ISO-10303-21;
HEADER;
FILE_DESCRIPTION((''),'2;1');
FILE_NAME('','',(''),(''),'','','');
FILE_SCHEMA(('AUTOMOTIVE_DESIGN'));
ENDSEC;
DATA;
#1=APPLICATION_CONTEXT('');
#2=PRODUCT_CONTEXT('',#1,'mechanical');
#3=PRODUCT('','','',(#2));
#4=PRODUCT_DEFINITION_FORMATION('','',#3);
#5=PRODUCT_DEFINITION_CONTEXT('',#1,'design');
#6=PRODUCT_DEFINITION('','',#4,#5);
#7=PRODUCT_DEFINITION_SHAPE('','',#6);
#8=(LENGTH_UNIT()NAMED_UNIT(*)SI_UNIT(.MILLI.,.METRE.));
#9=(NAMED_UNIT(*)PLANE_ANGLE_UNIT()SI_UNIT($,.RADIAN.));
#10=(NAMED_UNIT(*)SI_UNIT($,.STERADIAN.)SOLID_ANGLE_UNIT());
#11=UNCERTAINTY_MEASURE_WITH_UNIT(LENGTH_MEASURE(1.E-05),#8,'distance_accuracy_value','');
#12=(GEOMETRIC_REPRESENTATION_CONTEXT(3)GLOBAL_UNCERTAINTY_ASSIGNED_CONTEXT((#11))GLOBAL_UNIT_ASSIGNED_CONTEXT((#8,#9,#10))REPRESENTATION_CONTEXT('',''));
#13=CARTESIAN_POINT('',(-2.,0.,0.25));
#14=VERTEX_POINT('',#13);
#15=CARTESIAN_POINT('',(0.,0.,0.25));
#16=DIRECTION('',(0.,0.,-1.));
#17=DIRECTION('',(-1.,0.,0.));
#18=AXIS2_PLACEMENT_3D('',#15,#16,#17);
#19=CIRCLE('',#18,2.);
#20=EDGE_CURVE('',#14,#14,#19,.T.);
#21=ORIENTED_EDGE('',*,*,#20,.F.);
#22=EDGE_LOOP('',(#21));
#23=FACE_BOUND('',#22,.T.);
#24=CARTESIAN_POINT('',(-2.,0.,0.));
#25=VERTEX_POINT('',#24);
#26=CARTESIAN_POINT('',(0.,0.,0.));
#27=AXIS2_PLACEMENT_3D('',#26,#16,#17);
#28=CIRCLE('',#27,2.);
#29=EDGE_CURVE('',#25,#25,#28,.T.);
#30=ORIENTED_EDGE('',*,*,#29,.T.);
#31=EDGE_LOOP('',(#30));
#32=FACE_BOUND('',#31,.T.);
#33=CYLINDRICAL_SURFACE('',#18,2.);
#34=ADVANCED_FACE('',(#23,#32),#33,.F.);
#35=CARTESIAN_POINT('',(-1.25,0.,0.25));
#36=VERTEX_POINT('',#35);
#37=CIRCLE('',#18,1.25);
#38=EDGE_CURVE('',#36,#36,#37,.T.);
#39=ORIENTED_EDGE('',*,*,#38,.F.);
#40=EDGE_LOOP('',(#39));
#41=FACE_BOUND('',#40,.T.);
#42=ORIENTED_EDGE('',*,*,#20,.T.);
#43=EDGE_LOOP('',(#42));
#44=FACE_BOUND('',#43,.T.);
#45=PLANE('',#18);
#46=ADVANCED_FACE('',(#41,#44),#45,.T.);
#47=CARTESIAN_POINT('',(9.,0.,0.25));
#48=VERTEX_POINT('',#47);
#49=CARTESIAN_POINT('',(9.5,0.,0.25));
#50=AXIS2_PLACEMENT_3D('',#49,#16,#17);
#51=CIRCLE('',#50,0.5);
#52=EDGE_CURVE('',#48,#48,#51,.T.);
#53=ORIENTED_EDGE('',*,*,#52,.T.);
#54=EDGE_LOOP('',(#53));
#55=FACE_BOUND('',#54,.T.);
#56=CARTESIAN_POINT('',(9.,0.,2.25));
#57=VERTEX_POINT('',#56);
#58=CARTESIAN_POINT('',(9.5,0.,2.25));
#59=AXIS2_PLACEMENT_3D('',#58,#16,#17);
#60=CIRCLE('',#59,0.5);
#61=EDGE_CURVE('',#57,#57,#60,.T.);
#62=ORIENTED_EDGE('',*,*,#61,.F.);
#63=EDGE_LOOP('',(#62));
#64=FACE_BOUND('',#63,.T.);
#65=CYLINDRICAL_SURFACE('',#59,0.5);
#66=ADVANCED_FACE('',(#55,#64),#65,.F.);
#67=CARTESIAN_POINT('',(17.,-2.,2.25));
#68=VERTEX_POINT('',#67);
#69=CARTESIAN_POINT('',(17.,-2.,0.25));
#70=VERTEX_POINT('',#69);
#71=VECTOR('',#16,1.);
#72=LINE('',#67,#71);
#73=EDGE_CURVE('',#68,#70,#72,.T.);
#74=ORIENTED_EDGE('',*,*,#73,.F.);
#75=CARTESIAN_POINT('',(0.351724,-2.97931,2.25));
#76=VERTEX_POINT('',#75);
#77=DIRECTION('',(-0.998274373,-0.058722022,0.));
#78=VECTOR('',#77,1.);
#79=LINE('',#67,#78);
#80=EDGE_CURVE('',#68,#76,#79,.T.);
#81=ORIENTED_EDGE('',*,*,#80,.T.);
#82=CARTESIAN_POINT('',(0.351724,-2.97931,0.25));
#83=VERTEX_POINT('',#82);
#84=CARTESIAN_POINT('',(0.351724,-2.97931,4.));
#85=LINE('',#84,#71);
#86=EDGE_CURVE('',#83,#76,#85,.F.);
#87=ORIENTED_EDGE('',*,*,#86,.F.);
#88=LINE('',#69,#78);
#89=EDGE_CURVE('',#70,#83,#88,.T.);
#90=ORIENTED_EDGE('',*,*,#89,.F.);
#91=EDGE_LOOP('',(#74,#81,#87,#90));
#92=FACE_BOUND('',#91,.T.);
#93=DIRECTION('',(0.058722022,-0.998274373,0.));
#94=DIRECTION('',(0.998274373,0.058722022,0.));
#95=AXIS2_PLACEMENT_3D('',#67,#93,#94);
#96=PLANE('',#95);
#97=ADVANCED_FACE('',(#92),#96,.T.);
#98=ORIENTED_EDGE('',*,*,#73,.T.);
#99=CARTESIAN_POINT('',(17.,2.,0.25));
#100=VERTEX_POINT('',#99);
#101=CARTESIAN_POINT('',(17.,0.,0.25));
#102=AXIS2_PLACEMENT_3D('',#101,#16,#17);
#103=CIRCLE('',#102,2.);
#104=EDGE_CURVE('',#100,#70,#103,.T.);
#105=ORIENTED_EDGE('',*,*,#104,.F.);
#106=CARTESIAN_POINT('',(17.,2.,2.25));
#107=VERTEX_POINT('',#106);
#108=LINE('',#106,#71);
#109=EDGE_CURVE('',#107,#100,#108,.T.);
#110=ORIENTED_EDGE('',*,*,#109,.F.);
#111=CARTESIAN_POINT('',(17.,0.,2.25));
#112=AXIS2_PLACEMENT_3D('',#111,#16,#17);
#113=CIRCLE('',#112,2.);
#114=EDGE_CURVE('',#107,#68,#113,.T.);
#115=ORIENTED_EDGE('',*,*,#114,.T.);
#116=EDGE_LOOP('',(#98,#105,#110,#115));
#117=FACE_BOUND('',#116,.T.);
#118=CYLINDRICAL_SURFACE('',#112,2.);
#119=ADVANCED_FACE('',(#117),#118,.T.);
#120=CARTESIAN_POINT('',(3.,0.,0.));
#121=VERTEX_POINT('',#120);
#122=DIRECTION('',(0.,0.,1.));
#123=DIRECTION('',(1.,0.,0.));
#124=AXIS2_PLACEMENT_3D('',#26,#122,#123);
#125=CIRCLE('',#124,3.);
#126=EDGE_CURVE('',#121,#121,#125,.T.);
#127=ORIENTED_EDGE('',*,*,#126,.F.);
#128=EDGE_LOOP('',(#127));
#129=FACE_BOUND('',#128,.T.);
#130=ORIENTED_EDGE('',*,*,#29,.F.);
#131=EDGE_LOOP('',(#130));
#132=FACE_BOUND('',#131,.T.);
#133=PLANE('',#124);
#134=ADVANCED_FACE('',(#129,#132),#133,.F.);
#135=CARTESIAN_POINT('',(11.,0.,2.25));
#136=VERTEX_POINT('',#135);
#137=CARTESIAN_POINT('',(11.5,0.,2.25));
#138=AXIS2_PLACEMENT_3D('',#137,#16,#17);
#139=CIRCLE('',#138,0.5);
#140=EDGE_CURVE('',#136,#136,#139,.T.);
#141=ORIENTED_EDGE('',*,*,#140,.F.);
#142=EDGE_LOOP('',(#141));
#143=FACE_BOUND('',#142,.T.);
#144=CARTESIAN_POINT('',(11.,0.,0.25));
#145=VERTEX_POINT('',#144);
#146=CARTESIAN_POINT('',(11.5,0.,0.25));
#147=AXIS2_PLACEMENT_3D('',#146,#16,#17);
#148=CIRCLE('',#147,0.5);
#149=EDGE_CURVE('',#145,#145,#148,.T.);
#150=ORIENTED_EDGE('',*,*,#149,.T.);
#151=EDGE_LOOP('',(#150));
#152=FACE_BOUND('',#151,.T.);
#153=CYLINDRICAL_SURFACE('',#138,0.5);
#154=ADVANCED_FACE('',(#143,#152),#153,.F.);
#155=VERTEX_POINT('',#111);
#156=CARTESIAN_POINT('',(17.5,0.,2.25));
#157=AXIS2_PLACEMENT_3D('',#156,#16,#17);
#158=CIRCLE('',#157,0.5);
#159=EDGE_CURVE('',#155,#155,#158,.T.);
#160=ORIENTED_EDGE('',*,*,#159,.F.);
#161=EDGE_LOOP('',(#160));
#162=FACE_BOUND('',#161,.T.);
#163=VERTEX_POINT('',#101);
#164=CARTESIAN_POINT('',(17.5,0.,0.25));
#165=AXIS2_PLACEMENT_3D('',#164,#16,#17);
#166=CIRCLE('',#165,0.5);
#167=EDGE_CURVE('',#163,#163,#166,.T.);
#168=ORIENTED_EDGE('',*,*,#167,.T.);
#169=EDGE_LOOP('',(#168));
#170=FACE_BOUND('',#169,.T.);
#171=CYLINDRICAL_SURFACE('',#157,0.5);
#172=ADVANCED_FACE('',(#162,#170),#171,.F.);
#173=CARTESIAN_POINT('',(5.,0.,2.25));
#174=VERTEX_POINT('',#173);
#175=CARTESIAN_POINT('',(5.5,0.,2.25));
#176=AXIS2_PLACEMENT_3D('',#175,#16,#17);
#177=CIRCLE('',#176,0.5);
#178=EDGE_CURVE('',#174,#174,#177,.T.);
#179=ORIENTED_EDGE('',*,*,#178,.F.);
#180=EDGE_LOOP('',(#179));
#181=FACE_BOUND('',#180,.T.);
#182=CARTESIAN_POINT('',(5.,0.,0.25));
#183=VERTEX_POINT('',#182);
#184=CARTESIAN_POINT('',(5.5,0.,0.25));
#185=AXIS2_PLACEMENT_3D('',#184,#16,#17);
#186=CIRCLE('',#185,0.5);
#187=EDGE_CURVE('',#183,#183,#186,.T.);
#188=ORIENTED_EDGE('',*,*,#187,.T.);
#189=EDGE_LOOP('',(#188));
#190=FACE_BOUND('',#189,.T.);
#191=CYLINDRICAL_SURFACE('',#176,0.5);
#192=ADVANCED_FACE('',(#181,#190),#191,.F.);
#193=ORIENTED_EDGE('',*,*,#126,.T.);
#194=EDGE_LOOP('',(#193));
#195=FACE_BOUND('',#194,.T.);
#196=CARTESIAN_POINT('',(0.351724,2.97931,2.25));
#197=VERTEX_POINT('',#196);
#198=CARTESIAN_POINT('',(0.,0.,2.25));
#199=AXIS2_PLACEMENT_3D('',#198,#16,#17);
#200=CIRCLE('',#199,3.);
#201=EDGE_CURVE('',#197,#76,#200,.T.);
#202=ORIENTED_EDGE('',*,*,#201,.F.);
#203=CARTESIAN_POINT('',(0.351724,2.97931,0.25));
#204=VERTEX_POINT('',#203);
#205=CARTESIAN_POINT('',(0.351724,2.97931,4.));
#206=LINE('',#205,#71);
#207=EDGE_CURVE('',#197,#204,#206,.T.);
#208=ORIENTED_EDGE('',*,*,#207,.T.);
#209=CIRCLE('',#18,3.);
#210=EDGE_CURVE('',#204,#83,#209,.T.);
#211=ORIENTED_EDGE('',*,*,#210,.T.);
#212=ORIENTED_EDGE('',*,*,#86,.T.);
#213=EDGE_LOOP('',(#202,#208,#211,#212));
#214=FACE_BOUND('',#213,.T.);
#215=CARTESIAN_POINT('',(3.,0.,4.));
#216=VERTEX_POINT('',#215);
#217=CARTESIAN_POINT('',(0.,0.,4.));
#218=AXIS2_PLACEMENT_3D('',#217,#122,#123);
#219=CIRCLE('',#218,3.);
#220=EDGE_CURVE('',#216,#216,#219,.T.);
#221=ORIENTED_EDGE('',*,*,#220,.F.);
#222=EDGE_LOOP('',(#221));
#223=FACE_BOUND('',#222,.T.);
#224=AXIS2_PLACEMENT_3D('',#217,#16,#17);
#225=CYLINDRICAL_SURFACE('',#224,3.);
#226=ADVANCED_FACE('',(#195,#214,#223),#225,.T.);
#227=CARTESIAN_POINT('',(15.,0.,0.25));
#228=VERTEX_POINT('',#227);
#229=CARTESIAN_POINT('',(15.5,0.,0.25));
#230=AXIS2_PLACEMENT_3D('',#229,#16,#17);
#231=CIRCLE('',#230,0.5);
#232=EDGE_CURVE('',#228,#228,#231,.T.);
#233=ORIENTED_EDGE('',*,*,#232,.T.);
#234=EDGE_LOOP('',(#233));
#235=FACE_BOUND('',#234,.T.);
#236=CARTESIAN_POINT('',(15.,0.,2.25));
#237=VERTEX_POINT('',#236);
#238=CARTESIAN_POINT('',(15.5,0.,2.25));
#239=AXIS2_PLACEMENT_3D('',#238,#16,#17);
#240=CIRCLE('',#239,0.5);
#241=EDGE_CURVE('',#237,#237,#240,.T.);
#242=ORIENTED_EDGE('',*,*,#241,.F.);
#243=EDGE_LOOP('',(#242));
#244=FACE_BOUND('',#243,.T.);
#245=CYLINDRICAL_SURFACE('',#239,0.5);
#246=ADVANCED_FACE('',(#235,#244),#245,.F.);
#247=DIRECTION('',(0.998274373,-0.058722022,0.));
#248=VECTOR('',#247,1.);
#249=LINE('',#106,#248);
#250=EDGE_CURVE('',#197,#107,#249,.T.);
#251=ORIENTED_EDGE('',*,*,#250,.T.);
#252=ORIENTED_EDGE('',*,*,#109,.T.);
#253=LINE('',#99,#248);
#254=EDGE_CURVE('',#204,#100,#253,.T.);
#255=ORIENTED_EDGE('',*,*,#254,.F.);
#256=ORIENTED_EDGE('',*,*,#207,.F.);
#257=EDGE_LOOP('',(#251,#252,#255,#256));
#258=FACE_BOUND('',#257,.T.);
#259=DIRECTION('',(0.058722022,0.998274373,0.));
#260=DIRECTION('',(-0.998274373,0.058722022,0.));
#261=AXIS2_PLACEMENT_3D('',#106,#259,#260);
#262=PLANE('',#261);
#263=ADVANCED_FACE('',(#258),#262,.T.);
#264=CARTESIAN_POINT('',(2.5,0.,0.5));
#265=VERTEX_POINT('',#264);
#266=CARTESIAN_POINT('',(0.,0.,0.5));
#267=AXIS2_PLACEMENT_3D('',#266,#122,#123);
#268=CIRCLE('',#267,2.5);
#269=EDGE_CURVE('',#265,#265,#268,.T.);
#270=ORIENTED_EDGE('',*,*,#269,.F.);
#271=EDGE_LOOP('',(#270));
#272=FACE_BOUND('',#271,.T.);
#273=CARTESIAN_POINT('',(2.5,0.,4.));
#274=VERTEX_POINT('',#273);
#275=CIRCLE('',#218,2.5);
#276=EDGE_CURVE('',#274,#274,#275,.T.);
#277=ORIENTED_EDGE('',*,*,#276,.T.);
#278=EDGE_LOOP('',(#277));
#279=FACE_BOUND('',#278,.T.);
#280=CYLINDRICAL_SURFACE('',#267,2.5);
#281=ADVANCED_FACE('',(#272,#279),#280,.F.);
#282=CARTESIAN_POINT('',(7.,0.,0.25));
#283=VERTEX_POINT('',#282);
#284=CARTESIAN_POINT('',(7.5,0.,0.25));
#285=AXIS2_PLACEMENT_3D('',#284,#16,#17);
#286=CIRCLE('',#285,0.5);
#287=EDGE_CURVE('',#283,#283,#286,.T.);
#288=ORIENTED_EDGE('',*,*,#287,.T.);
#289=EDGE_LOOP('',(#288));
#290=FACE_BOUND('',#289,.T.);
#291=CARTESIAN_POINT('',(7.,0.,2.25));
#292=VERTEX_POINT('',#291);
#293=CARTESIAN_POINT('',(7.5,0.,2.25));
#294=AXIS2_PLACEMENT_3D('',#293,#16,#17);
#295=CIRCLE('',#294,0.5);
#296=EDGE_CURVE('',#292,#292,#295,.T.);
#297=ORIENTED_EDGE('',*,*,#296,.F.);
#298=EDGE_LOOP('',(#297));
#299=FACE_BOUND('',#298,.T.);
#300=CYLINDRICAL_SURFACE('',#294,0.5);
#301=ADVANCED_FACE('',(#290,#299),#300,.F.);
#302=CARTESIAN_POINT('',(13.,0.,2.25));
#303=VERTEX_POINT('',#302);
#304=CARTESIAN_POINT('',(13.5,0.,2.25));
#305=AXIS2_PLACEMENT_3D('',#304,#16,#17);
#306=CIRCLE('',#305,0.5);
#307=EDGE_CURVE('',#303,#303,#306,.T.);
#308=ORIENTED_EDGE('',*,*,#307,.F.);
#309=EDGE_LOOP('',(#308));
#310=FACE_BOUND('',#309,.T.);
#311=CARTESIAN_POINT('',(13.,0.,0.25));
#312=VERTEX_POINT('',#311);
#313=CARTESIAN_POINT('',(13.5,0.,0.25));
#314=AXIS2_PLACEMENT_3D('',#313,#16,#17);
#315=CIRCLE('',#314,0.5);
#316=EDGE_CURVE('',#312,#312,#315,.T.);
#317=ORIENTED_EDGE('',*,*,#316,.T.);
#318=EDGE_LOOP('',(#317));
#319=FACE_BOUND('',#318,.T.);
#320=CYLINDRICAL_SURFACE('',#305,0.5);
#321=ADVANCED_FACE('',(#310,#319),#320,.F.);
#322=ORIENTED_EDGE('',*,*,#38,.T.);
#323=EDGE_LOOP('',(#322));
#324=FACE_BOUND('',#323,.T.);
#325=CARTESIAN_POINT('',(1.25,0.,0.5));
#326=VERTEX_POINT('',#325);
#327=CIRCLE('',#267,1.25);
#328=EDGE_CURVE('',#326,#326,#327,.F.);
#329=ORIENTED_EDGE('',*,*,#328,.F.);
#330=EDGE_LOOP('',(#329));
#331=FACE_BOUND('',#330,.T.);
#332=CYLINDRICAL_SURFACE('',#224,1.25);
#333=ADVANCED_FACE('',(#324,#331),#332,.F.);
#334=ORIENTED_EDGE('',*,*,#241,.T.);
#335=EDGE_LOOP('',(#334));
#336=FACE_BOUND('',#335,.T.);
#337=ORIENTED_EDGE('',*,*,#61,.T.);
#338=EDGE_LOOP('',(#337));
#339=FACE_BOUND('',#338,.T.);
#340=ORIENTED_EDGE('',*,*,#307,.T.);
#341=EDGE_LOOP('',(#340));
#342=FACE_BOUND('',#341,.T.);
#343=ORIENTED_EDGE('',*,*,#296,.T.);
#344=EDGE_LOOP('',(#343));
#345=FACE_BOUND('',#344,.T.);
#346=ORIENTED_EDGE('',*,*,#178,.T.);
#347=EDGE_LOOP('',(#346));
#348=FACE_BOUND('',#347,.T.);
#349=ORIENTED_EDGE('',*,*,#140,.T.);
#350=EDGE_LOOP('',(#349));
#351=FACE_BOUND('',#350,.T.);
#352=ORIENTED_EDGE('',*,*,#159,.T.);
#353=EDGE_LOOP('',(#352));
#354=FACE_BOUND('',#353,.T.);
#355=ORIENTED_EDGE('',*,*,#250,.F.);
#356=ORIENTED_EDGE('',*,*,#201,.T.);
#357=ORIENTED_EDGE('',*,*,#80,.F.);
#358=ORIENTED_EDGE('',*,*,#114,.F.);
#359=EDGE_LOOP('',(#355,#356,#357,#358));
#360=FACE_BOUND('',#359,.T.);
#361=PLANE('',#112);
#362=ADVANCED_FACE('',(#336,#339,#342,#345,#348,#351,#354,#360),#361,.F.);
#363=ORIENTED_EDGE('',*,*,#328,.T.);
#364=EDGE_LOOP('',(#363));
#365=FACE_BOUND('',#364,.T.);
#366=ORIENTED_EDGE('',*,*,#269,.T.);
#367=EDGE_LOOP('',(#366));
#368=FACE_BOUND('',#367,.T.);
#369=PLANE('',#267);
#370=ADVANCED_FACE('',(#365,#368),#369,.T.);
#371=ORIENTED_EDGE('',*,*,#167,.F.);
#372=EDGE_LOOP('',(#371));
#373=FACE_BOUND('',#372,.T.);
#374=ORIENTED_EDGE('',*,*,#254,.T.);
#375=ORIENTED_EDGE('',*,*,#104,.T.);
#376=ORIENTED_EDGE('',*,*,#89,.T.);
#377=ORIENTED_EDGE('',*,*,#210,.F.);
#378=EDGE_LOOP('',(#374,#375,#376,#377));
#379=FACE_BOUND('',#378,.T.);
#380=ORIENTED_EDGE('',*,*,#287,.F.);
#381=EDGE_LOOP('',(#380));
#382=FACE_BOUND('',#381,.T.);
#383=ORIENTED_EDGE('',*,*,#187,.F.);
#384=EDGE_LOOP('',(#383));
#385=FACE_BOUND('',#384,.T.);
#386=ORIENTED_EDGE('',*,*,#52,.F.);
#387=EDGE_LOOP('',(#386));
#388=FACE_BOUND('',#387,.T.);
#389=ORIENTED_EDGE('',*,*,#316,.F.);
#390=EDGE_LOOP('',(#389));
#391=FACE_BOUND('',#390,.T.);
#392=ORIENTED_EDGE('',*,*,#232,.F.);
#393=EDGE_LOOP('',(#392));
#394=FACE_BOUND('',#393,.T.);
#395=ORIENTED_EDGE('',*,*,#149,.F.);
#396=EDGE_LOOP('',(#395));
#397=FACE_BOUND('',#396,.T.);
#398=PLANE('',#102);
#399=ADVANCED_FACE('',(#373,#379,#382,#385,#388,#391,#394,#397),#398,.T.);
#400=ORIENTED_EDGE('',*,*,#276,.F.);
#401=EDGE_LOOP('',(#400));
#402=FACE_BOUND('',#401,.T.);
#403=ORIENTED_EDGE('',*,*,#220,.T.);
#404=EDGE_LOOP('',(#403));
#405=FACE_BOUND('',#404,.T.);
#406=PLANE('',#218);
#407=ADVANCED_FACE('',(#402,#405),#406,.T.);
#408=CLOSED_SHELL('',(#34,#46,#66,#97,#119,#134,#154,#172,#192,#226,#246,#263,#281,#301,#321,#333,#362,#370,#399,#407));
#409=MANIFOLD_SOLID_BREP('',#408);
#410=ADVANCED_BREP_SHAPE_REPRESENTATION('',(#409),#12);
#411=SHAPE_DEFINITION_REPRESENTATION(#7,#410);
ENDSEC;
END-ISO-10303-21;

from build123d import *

# Parameters (mm, degrees)
SKETCH_1_R          = 3
EXTRUDE_1_DEPTH     = 4
SKETCH_6_R          = 0.5
EXTRUDE_2_DEPTH     = 2
SKETCH_3_R          = 2
CUT_EXTRUDE_2_DEPTH = 0.25
SKETCH_4_R          = 1.25
CUT_EXTRUDE_3_DEPTH = 4.75
SKETCH_2_R          = 2.5
CUT_EXTRUDE_1_DEPTH = 3.5


with BuildPart() as part:
    # 草图1 → 凸台-拉伸1 (new body)
    with BuildSketch(Plane.XY):
        Circle(SKETCH_1_R)
    extrude(amount=EXTRUDE_1_DEPTH)

    # 草图6 → 凸台-拉伸2 (add)
    with BuildSketch(Plane(origin=(0, 0, 0.25), x_dir=(-1, 0, 0), z_dir=(0, 0, -1))):
        with BuildLine():
            Line((-17, 2), (0, 3))
            Line((0, 3), (0, -3))
            Line((0, -3), (-17, -2))
            ThreePointArc((-17, -2), (-19, 0), (-17, 2))
        make_face()
        with Locations((-17.5, 0)):
            Circle(SKETCH_6_R, mode=Mode.SUBTRACT)
        with Locations((-15.5, 0)):
            Circle(SKETCH_6_R, mode=Mode.SUBTRACT)
        with Locations((-13.5, 0)):
            Circle(SKETCH_6_R, mode=Mode.SUBTRACT)
        with Locations((-11.5, 0)):
            Circle(SKETCH_6_R, mode=Mode.SUBTRACT)
        with Locations((-9.5, 0)):
            Circle(SKETCH_6_R, mode=Mode.SUBTRACT)
        with Locations((-7.5, 0)):
            Circle(SKETCH_6_R, mode=Mode.SUBTRACT)
        with Locations((-5.5, 0)):
            Circle(SKETCH_6_R, mode=Mode.SUBTRACT)
    extrude(amount=-EXTRUDE_2_DEPTH)

    # 草图3 → 切除-拉伸2 (cut)
    with BuildSketch(Plane(origin=(0, 0, 0), x_dir=(-1, 0, 0), z_dir=(0, 0, -1))):
        Circle(SKETCH_3_R)
    extrude(amount=-CUT_EXTRUDE_2_DEPTH, mode=Mode.SUBTRACT)

    # 草图4 → 切除-拉伸3 (cut, through all)
    with BuildSketch(Plane(origin=(0, 0, 0.25), x_dir=(-1, 0, 0), z_dir=(0, 0, -1))):
        Circle(SKETCH_4_R)
    extrude(amount=-CUT_EXTRUDE_3_DEPTH, mode=Mode.SUBTRACT)

    # 草图2 → 切除-拉伸1 (cut)
    with BuildSketch(Plane.XY.offset(4)):
        Circle(SKETCH_2_R)
    extrude(amount=-CUT_EXTRUDE_1_DEPTH, mode=Mode.SUBTRACT)


solid = part.part
